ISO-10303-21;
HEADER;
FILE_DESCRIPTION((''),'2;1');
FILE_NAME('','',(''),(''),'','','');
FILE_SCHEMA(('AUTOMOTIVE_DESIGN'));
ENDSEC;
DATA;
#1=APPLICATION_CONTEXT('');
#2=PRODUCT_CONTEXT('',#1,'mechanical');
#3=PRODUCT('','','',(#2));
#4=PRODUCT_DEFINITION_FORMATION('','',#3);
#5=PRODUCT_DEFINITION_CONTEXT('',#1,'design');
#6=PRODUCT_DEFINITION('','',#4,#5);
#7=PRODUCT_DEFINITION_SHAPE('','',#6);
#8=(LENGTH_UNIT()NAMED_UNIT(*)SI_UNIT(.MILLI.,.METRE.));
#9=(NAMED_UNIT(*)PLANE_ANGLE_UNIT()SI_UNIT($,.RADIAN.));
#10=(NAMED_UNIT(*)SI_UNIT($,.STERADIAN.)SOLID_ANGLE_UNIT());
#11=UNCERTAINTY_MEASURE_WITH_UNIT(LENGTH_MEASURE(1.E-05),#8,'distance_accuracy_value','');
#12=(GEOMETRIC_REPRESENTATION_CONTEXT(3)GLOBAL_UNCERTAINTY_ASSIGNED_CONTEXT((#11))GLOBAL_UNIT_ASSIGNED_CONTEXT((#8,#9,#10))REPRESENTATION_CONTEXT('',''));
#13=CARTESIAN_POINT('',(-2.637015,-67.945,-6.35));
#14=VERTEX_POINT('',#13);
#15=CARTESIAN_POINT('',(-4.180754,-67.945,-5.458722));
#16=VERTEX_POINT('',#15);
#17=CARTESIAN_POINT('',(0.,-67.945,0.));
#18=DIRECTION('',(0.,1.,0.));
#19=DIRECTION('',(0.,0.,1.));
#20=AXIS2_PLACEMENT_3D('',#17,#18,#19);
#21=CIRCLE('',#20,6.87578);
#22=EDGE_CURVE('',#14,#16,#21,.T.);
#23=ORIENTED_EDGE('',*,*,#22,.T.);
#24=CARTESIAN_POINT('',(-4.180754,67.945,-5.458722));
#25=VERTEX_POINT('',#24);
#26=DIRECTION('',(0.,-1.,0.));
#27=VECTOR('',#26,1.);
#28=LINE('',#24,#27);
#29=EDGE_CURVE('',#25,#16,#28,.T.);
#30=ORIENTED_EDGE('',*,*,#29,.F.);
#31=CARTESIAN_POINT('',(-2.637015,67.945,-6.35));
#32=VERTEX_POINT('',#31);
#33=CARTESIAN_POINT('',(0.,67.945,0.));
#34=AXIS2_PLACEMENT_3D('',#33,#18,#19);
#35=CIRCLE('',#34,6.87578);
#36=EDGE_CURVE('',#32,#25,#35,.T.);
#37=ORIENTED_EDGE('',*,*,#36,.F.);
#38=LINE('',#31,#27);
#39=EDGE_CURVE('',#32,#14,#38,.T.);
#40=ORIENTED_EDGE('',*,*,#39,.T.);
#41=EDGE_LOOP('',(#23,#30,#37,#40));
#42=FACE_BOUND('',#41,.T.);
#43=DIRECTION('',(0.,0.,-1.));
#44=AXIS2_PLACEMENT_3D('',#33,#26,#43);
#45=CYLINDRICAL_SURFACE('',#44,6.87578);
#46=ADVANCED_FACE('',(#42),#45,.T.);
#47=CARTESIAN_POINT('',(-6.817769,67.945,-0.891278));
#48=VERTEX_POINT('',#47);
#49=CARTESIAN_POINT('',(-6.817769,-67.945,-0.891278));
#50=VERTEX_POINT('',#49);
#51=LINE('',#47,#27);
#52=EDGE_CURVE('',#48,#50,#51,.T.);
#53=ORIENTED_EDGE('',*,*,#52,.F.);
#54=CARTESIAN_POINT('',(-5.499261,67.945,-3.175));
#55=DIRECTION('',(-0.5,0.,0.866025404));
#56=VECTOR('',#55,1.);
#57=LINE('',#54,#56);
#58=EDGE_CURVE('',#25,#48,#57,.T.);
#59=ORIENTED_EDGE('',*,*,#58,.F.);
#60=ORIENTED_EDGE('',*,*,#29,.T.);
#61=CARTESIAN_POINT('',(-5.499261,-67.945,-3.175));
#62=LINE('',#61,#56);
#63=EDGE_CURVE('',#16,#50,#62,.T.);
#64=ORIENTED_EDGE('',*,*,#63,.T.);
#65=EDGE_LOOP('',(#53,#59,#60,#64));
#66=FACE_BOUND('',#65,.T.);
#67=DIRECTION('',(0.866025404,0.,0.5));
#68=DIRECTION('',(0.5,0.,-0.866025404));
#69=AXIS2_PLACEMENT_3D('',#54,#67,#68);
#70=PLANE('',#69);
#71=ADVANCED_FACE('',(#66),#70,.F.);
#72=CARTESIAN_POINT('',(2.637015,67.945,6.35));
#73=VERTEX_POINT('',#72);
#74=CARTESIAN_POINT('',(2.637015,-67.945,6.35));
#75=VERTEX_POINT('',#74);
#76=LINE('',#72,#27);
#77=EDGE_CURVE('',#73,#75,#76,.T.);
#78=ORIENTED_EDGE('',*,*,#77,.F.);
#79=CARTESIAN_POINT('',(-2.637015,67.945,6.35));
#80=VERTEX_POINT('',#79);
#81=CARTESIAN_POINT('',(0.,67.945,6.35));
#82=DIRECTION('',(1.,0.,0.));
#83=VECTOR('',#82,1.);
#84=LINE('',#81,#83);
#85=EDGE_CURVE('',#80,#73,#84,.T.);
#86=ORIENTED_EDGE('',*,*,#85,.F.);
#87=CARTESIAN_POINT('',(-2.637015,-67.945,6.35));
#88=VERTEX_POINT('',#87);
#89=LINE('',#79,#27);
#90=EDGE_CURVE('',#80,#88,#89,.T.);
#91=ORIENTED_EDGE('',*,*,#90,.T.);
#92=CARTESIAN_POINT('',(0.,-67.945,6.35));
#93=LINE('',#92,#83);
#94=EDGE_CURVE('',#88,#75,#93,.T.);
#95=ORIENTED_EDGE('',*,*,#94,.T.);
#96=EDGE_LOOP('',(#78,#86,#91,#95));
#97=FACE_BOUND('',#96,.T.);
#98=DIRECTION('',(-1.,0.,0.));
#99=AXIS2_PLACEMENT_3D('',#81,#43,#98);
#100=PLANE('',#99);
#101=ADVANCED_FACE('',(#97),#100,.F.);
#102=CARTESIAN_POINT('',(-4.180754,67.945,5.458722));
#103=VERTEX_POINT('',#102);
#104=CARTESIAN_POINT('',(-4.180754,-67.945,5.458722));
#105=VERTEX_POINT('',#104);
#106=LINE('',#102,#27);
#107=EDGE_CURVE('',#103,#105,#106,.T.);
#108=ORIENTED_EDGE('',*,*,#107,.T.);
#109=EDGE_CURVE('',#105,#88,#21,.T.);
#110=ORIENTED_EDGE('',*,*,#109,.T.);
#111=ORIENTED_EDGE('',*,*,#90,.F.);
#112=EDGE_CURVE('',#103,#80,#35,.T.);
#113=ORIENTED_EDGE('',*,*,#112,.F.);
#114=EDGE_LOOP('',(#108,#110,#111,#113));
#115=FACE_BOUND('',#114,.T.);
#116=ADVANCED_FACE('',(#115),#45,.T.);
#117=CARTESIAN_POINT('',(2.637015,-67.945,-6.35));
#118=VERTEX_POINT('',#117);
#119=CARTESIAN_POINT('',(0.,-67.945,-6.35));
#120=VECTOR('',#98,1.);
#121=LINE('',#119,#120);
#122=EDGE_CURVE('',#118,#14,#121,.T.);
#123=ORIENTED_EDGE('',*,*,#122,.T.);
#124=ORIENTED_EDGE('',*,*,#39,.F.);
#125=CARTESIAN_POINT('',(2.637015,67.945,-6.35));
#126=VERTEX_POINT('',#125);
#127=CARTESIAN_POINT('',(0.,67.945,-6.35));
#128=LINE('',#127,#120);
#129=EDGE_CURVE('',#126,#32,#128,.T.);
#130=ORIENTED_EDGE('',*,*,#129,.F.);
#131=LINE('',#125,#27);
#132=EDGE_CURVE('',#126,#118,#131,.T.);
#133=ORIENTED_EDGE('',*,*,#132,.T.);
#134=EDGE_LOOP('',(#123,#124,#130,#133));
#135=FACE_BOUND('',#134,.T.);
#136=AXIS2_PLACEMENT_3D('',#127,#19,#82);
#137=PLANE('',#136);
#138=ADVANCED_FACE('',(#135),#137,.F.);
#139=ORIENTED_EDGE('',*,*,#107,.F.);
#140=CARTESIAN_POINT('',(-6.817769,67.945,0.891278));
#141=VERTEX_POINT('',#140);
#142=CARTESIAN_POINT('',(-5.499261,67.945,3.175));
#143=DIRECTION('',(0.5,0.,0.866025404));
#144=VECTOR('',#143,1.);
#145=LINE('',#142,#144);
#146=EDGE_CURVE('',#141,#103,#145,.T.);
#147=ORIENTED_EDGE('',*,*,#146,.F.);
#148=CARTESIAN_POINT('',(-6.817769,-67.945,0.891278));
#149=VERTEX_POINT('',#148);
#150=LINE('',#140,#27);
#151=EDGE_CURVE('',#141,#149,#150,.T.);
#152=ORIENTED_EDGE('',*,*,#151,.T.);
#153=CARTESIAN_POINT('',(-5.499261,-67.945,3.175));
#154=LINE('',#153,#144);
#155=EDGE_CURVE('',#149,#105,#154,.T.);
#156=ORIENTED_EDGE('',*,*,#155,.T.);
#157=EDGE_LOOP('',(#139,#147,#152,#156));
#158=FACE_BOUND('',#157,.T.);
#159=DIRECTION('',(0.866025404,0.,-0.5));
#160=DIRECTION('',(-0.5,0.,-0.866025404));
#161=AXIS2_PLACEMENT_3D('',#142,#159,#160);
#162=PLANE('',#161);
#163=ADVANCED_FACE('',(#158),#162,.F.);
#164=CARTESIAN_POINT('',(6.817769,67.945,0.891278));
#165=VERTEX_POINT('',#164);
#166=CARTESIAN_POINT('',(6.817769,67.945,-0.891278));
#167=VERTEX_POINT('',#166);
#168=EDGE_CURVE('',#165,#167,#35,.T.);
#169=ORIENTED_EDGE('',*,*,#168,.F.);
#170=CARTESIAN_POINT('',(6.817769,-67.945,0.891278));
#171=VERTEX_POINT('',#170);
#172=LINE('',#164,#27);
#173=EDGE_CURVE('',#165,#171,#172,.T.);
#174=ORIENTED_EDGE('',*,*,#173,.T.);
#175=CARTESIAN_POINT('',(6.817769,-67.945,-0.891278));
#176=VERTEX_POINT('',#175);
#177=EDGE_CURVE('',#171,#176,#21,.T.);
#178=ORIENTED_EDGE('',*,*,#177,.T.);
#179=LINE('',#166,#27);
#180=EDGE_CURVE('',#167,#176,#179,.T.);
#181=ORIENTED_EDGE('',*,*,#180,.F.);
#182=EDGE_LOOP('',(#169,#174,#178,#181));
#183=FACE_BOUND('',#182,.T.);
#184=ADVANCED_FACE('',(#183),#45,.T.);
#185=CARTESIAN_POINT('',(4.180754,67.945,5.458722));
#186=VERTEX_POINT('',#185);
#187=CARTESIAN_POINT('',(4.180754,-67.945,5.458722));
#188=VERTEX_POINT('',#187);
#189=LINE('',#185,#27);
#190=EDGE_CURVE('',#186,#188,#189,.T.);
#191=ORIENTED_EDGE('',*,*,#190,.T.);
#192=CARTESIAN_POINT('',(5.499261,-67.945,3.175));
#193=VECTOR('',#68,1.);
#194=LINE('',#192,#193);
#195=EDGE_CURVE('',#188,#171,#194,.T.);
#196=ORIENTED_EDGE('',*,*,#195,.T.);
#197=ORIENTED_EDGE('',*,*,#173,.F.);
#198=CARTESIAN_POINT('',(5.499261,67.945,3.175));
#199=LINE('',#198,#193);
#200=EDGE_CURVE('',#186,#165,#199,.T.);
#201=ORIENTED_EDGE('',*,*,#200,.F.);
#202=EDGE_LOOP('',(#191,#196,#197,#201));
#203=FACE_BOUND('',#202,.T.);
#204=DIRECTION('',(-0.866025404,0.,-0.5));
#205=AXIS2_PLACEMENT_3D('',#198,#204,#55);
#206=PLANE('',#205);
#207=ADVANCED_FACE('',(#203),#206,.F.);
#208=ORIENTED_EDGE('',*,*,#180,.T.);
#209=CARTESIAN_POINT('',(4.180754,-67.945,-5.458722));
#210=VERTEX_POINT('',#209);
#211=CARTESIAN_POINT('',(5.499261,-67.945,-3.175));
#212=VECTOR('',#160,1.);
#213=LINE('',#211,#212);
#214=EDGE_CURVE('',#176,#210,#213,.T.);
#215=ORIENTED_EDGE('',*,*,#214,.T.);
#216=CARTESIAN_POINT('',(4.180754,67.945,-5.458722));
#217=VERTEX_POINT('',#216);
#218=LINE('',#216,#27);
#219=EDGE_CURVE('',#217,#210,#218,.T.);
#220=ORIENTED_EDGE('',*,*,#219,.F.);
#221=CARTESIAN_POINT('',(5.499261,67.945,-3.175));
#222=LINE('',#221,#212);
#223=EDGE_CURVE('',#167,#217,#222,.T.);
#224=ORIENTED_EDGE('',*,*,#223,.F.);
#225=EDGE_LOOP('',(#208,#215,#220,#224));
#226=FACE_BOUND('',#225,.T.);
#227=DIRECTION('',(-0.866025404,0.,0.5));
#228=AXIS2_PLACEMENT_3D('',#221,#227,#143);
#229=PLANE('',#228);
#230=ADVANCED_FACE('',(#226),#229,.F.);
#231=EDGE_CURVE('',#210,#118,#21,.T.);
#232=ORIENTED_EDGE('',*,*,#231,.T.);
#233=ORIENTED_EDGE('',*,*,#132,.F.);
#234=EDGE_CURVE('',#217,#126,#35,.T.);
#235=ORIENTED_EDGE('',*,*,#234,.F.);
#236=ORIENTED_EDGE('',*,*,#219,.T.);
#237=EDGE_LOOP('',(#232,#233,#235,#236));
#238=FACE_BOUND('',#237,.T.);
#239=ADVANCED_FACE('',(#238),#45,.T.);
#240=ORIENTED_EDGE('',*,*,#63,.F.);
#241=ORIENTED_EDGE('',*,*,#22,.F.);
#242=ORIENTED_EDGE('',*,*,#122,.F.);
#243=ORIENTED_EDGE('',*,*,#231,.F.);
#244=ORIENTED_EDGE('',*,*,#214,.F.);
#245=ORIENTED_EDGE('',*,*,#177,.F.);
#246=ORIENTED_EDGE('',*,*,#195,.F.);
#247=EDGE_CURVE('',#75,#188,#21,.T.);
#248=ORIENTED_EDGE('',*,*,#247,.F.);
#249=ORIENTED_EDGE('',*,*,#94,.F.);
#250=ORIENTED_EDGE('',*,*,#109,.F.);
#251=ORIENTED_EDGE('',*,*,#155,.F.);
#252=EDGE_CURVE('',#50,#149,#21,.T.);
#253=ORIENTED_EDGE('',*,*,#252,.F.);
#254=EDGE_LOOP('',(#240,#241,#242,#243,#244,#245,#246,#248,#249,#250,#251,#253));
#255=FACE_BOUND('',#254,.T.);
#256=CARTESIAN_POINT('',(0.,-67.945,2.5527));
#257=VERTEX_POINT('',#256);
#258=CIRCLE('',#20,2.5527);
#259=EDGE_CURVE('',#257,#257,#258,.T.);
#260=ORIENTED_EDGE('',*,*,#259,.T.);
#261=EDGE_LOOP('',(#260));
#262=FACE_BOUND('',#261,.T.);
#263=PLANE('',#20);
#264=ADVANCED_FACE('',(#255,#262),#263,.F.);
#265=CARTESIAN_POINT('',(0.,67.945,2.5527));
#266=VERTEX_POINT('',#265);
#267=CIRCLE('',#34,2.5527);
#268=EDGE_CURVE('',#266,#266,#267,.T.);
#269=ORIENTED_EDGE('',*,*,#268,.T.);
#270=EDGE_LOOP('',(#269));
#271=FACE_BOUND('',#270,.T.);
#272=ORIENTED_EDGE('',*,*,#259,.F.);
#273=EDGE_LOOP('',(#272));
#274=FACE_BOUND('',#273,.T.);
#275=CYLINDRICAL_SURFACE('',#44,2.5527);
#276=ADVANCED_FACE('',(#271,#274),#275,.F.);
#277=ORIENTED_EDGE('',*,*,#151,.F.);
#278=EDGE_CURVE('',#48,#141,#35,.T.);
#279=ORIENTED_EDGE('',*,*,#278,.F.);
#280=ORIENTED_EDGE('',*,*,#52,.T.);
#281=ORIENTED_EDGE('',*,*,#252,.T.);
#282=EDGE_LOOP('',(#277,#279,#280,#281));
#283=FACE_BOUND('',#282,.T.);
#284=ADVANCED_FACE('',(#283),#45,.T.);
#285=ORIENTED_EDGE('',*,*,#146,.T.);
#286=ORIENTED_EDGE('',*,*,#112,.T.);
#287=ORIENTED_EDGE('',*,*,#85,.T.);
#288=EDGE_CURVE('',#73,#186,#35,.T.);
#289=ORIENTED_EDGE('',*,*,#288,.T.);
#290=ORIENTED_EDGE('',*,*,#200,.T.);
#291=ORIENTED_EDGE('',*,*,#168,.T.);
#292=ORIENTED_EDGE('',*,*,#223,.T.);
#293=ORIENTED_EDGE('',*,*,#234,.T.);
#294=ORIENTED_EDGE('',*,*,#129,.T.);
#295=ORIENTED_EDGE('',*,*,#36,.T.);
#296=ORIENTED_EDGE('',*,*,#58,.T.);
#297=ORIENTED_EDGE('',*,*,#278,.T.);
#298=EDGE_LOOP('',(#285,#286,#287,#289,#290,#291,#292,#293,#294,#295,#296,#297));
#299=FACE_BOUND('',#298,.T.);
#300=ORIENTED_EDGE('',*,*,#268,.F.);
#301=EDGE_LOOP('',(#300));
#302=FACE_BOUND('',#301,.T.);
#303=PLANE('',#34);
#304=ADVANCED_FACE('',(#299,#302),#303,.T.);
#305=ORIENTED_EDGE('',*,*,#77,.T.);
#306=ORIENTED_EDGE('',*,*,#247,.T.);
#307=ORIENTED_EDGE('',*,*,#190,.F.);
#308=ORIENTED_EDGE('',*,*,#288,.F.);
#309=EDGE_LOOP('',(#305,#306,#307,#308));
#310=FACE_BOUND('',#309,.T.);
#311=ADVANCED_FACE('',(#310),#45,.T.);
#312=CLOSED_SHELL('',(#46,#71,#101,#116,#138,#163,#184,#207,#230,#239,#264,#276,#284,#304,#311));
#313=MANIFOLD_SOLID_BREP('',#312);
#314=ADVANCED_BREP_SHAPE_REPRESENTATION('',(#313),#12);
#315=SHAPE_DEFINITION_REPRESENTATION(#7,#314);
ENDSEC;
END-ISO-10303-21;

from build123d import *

# Parameters (mm, degrees)
SKETCH1_R           = 2.5527
BOSS_EXTRUDE1_DEPTH = 67.945


with BuildPart() as part:
    # Sketch1 → Boss-Extrude1 (new, symmetric)
    with BuildSketch(Plane(origin=(0, 0, 0), x_dir=(1, 0, 0), z_dir=(0, 1, 0))):
        with BuildLine():
            ThreePointArc((2.637015474, -6.35), (3.43789, -5.954600151), (4.180753577, -5.45872239))
            Line((4.180753577, -5.45872239), (6.817769051, -0.89127761))
            ThreePointArc((6.817769051, -0.89127761), (6.861261935, -0.446581753), (6.87578, 0))
            ThreePointArc((6.87578, 0), (6.861261935, 0.446581753), (6.817769051, 0.89127761))
            Line((6.817769051, 0.89127761), (4.180753577, 5.45872239))
            ThreePointArc((4.180753577, 5.45872239), (3.43789, 5.954600151), (2.637015474, 6.35))
            Line((2.637015474, 6.35), (-2.637015474, 6.35))
            ThreePointArc((-2.637015474, 6.35), (-3.43789, 5.954600151), (-4.180753577, 5.45872239))
            Line((-4.180753577, 5.45872239), (-6.817769051, 0.89127761))
            ThreePointArc((-6.817769051, 0.89127761), (-6.87578, 0), (-6.817769051, -0.89127761))
            Line((-6.817769051, -0.89127761), (-4.180753577, -5.45872239))
            ThreePointArc((-4.180753577, -5.45872239), (-3.43789, -5.954600151), (-2.637015474, -6.35))
            Line((-2.637015474, -6.35), (2.637015474, -6.35))
        make_face()
        with Locations(Location((0, 0, 0), (0, 0, 270))):
            Circle(SKETCH1_R, mode=Mode.SUBTRACT)
    extrude(amount=BOSS_EXTRUDE1_DEPTH, both=True)


solid = part.part
